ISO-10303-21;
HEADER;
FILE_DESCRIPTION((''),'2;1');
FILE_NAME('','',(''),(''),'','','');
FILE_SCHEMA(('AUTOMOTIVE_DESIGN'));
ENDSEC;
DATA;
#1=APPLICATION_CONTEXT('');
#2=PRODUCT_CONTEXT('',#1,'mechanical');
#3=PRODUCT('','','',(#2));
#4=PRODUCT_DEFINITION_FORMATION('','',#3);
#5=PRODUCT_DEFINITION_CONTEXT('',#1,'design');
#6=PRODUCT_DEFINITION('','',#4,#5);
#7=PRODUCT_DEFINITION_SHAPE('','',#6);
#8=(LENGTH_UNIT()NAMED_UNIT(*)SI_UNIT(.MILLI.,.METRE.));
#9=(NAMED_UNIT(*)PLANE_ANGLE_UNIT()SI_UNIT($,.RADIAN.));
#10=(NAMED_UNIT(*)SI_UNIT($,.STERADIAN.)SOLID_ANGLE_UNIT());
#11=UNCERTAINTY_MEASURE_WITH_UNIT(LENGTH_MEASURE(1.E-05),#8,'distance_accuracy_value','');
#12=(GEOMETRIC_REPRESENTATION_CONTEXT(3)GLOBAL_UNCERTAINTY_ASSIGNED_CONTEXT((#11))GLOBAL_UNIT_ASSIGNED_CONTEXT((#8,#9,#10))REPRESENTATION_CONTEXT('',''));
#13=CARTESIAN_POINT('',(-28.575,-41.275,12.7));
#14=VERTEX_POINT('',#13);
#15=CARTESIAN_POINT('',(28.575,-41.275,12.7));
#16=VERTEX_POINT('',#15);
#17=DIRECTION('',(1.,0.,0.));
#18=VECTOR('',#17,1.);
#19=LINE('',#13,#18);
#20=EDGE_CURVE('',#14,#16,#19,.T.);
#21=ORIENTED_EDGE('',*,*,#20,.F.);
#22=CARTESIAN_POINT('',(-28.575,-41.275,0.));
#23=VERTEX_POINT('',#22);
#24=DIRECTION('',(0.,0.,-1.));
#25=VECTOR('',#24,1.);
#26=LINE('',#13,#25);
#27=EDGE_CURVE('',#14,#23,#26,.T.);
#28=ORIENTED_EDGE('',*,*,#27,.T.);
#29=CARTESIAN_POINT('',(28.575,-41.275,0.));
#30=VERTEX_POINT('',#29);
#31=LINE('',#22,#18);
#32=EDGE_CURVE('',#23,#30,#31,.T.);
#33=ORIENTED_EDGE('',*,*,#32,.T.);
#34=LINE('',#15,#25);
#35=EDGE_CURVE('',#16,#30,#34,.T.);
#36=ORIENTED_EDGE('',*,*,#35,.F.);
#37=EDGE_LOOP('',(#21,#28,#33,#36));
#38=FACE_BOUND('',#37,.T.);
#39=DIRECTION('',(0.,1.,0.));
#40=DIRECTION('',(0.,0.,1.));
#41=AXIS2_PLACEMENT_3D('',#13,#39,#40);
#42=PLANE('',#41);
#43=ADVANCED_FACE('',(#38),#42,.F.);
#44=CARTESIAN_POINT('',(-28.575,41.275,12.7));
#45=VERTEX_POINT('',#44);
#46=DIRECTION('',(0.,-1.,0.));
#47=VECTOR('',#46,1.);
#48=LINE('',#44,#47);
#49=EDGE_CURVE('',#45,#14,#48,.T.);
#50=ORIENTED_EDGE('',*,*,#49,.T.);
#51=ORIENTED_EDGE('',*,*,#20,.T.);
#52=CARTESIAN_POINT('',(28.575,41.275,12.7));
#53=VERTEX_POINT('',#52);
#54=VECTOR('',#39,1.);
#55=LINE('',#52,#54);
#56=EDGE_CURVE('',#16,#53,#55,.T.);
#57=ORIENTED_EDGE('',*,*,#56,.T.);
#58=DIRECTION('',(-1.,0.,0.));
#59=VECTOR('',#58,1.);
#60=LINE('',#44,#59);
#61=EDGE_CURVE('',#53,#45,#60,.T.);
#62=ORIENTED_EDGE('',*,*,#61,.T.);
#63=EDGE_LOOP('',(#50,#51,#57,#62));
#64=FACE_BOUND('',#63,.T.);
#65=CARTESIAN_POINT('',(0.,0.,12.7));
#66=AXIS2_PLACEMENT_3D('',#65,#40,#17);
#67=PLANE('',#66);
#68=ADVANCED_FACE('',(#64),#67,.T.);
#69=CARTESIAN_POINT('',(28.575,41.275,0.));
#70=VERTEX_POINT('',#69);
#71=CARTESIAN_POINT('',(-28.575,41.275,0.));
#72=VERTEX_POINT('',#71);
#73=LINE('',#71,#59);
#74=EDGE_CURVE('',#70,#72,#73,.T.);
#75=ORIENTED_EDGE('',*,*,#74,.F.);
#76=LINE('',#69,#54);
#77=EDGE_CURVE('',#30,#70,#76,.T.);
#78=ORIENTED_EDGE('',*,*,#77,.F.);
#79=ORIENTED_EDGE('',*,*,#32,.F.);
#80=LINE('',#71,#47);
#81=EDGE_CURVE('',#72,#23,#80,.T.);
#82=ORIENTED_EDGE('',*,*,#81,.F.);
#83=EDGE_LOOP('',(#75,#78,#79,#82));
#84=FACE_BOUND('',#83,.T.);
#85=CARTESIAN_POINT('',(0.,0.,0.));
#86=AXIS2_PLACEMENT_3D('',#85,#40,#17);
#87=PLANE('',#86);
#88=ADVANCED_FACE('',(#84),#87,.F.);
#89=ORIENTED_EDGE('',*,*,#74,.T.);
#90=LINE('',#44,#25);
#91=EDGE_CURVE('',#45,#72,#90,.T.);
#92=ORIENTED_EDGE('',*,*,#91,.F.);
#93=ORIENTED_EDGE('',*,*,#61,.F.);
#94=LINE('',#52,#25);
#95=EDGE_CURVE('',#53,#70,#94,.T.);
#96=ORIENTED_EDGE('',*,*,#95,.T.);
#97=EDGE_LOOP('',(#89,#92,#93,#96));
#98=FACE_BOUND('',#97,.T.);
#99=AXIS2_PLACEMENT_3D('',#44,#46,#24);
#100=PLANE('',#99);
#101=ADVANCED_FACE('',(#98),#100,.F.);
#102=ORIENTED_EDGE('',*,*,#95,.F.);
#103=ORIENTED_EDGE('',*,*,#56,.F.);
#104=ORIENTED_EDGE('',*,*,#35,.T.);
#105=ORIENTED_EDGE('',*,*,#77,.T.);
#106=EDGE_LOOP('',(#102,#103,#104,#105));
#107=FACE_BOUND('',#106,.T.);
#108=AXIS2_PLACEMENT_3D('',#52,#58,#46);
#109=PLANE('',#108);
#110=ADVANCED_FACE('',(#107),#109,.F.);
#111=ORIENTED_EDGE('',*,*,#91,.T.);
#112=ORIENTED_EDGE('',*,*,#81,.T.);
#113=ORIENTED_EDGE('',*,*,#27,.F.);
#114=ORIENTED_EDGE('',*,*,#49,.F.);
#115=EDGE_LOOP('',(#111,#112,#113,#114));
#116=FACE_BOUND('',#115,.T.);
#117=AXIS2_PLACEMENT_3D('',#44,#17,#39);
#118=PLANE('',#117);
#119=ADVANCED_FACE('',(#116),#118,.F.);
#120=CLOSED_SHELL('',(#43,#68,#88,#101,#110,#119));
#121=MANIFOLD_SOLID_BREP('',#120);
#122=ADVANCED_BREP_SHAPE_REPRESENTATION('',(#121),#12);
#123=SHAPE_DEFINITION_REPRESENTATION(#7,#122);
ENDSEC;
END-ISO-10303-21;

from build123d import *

# Parameters (mm, degrees)
ESQUISSE1_W        = 57.15
ESQUISSE1_H        = 82.55
BOSS_EXTRU_1_DEPTH = 12.7


with BuildPart() as part:
    # Esquisse1 → Boss.-Extru.1 (new body)
    with BuildSketch(Plane.XY):
        Rectangle(ESQUISSE1_W, ESQUISSE1_H)
    extrude(amount=BOSS_EXTRU_1_DEPTH)


solid = part.part
